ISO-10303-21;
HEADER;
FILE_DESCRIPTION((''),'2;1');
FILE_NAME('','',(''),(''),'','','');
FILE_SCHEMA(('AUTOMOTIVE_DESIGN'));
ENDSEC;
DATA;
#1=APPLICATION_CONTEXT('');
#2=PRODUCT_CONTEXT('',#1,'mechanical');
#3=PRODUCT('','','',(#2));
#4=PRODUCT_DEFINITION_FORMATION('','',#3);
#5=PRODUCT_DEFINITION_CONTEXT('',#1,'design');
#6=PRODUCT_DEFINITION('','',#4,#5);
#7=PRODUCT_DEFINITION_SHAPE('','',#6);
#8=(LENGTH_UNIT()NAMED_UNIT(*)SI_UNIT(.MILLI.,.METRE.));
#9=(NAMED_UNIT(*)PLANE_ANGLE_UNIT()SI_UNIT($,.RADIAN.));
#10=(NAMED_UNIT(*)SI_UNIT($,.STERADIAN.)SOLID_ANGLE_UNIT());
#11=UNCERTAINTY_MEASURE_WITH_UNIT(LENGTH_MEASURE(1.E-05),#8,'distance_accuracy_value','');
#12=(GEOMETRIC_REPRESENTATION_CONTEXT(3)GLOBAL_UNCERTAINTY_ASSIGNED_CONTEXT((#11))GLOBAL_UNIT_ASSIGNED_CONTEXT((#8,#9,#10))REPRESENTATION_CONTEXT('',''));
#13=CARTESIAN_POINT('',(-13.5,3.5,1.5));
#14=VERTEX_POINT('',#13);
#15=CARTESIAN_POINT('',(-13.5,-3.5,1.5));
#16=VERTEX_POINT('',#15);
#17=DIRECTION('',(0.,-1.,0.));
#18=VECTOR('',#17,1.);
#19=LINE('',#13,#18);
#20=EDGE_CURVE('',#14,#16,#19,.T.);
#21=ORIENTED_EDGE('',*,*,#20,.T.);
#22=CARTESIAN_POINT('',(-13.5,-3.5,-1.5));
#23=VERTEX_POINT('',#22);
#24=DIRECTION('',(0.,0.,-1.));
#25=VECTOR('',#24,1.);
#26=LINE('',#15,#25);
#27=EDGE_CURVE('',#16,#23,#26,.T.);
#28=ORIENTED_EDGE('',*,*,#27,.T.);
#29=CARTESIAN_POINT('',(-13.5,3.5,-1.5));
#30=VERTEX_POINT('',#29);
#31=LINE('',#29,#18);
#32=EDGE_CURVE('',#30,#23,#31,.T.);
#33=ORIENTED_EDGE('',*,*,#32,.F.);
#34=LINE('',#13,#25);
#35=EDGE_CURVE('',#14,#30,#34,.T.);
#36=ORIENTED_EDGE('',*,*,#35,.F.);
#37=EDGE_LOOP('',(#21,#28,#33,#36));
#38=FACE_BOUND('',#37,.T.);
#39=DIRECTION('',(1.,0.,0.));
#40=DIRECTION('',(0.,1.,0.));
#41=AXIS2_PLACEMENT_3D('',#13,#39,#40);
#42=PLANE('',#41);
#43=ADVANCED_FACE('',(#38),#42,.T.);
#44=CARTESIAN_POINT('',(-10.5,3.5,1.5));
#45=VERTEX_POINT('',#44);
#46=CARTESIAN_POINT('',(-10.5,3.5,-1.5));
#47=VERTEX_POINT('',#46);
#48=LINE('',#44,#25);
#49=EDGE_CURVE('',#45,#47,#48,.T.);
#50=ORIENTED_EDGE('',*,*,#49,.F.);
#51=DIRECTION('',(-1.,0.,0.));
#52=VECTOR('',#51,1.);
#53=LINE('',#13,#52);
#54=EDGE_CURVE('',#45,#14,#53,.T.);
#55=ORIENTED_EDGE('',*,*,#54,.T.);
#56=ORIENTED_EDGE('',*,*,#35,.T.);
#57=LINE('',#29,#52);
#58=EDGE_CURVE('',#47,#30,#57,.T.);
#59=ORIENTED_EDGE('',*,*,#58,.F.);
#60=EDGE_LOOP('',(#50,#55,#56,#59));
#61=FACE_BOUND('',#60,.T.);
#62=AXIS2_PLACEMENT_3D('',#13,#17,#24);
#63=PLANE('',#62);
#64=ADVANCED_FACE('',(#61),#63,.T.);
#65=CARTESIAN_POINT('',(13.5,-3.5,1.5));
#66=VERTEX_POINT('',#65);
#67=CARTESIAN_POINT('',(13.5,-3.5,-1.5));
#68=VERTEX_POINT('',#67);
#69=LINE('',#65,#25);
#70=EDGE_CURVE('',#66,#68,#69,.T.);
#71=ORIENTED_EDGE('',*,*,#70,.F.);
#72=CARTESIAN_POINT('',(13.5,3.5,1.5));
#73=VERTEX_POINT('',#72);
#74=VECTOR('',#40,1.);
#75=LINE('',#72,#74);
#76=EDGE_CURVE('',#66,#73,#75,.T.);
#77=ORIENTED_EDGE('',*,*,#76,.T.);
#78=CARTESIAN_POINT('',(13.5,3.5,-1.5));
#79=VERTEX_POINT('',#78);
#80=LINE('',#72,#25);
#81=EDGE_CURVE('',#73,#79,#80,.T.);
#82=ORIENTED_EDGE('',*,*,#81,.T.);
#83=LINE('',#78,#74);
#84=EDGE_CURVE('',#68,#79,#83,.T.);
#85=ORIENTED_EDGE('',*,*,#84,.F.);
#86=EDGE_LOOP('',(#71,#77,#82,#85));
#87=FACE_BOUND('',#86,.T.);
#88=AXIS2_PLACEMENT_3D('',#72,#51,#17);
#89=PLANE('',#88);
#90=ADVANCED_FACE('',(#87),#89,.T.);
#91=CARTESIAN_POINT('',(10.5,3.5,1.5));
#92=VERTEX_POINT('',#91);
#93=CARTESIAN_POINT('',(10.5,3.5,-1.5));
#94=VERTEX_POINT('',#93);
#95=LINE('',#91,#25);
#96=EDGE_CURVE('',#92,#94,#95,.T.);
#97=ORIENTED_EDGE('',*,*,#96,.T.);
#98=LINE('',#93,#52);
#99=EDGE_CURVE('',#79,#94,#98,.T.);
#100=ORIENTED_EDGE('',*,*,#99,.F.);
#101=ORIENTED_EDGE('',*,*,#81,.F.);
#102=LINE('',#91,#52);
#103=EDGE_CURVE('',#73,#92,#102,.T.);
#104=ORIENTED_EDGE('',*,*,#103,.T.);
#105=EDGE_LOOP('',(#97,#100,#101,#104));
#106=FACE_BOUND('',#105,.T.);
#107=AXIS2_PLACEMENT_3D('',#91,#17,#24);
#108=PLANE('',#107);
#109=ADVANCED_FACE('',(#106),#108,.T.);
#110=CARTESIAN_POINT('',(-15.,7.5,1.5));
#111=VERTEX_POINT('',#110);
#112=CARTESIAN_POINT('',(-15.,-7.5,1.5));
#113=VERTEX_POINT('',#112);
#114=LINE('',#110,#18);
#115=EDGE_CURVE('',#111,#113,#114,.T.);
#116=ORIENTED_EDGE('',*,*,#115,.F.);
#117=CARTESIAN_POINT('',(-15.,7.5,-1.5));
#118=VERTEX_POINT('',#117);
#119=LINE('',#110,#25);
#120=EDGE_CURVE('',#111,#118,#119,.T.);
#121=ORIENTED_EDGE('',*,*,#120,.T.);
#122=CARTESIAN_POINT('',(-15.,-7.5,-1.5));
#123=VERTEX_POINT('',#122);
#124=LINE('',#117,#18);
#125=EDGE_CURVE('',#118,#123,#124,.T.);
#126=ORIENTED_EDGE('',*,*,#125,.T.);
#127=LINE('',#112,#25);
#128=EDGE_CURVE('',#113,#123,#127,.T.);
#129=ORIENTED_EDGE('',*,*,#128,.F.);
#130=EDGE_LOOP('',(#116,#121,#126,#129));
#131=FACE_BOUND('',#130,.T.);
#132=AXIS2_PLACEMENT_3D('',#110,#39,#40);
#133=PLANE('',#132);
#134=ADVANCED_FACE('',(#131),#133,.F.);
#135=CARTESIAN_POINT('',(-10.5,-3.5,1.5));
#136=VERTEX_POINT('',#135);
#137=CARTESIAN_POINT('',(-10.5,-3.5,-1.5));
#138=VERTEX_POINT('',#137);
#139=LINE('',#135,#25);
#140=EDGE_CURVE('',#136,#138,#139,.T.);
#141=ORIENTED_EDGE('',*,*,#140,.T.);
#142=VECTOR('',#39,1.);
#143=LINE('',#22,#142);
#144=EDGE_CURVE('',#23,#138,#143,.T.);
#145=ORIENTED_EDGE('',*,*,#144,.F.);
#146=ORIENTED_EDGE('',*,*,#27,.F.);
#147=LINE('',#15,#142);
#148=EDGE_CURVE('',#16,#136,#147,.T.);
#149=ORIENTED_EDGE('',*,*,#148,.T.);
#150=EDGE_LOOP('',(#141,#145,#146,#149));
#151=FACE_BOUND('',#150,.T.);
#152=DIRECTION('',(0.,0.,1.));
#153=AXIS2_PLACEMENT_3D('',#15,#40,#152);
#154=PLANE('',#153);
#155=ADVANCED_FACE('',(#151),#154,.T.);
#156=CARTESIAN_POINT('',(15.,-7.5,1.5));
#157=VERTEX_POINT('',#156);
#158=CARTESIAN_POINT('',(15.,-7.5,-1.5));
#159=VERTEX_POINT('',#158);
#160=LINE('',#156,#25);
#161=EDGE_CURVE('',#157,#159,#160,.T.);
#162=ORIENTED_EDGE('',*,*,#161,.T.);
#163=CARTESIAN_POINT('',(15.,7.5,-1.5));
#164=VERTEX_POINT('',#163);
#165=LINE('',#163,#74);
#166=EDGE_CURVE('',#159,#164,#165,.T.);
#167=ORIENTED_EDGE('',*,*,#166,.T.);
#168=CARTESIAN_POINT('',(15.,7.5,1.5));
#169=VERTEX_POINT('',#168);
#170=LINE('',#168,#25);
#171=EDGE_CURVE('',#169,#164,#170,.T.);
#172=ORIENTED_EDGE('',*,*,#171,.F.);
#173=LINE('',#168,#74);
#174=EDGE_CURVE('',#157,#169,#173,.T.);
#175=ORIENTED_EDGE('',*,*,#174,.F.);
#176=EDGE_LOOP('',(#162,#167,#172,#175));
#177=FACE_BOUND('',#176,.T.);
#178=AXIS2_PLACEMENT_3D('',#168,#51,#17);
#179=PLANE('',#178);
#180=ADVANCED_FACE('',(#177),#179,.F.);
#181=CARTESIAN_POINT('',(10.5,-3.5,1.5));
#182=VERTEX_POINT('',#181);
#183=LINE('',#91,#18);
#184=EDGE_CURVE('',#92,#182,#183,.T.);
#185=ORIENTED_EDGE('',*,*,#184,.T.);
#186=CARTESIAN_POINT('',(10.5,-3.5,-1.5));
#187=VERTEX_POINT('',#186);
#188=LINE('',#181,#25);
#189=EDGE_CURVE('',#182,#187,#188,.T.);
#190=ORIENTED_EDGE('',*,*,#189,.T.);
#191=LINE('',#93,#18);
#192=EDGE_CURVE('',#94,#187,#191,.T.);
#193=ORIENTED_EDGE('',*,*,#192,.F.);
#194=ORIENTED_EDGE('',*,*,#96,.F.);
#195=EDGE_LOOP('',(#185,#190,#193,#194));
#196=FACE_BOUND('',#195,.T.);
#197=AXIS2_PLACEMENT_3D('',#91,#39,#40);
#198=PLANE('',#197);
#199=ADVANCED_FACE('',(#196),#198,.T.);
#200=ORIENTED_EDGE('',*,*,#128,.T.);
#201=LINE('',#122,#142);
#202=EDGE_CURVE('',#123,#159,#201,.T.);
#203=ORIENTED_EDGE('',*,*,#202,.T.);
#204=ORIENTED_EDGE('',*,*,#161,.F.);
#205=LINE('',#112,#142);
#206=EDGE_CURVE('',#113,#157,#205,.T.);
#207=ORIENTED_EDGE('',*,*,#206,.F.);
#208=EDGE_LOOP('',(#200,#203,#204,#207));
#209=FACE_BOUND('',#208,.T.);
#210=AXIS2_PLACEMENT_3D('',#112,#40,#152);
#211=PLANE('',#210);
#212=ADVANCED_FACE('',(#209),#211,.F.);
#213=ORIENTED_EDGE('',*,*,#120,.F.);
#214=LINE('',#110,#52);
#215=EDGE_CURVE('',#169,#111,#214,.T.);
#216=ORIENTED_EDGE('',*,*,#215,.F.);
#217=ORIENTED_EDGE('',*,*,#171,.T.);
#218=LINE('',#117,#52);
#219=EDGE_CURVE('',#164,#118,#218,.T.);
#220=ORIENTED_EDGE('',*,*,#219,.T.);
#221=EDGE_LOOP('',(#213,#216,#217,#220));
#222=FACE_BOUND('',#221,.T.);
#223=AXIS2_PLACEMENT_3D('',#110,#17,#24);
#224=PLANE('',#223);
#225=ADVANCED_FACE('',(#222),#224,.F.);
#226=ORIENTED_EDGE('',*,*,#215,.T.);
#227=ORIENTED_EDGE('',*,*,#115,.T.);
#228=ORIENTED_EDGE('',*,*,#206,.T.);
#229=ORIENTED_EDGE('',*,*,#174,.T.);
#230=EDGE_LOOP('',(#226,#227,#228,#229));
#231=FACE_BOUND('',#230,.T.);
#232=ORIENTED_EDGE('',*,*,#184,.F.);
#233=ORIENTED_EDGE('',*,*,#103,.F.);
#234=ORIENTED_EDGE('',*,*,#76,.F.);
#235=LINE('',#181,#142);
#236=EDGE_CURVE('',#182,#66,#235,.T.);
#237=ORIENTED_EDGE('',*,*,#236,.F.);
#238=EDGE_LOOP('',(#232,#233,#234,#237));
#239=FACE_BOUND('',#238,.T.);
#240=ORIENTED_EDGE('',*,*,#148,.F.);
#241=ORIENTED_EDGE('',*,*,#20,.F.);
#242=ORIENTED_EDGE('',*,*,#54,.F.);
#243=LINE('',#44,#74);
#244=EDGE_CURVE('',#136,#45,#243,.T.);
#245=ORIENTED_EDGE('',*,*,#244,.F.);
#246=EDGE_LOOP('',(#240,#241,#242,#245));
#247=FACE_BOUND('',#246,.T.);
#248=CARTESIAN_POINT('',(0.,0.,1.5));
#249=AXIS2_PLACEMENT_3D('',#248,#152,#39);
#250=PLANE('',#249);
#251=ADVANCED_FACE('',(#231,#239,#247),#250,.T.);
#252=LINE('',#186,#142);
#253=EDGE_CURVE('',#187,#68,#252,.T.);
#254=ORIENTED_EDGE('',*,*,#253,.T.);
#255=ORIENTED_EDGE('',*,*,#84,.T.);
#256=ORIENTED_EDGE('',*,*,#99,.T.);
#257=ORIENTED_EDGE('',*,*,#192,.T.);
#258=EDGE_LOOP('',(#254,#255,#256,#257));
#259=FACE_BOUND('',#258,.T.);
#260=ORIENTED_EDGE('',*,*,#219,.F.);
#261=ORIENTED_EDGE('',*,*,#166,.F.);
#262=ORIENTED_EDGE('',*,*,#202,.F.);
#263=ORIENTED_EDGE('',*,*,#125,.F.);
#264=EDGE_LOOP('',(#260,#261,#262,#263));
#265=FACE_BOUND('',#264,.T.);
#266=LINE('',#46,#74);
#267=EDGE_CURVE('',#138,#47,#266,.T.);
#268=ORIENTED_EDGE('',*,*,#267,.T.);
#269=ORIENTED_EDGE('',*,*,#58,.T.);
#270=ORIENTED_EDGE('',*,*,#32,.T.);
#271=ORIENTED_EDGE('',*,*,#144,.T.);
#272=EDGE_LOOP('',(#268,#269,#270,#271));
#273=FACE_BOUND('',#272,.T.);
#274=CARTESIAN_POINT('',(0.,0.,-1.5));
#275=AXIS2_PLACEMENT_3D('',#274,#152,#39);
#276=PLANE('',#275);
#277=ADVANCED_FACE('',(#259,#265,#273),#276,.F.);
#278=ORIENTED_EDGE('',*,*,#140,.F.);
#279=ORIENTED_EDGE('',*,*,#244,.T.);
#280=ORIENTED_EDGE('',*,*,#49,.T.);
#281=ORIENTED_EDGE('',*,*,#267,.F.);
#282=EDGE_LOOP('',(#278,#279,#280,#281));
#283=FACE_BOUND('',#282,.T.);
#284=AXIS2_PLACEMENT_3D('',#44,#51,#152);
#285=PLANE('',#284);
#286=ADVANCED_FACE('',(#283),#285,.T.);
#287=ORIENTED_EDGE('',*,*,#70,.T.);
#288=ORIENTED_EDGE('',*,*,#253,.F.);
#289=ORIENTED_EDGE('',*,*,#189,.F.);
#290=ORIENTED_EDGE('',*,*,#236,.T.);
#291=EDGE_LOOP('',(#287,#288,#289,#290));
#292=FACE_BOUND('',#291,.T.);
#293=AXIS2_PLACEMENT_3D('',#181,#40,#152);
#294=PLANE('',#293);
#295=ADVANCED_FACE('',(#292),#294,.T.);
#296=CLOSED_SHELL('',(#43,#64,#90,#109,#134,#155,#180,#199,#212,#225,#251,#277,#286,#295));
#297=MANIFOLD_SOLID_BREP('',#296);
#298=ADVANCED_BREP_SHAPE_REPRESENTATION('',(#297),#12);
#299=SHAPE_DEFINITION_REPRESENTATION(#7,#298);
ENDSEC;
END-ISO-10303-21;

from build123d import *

# Parameters (mm, degrees)
SKETCH1_W           = 30
SKETCH1_H           = 15
SKETCH1_W_2         = 3
SKETCH1_H_2         = 7
BOSS_EXTRUDE1_DEPTH = 1.5


with BuildPart() as part:
    # Sketch1 → Boss-Extrude1 (new body, symmetric)
    with BuildSketch(Plane.XY):
        Rectangle(SKETCH1_W, SKETCH1_H)
        with Locations((-12, 0)):
            Rectangle(SKETCH1_W_2, SKETCH1_H_2, mode=Mode.SUBTRACT)
        with Locations((12, 0)):
            Rectangle(SKETCH1_W_2, SKETCH1_H_2, mode=Mode.SUBTRACT)
    extrude(amount=BOSS_EXTRUDE1_DEPTH, both=True)


solid = part.part
